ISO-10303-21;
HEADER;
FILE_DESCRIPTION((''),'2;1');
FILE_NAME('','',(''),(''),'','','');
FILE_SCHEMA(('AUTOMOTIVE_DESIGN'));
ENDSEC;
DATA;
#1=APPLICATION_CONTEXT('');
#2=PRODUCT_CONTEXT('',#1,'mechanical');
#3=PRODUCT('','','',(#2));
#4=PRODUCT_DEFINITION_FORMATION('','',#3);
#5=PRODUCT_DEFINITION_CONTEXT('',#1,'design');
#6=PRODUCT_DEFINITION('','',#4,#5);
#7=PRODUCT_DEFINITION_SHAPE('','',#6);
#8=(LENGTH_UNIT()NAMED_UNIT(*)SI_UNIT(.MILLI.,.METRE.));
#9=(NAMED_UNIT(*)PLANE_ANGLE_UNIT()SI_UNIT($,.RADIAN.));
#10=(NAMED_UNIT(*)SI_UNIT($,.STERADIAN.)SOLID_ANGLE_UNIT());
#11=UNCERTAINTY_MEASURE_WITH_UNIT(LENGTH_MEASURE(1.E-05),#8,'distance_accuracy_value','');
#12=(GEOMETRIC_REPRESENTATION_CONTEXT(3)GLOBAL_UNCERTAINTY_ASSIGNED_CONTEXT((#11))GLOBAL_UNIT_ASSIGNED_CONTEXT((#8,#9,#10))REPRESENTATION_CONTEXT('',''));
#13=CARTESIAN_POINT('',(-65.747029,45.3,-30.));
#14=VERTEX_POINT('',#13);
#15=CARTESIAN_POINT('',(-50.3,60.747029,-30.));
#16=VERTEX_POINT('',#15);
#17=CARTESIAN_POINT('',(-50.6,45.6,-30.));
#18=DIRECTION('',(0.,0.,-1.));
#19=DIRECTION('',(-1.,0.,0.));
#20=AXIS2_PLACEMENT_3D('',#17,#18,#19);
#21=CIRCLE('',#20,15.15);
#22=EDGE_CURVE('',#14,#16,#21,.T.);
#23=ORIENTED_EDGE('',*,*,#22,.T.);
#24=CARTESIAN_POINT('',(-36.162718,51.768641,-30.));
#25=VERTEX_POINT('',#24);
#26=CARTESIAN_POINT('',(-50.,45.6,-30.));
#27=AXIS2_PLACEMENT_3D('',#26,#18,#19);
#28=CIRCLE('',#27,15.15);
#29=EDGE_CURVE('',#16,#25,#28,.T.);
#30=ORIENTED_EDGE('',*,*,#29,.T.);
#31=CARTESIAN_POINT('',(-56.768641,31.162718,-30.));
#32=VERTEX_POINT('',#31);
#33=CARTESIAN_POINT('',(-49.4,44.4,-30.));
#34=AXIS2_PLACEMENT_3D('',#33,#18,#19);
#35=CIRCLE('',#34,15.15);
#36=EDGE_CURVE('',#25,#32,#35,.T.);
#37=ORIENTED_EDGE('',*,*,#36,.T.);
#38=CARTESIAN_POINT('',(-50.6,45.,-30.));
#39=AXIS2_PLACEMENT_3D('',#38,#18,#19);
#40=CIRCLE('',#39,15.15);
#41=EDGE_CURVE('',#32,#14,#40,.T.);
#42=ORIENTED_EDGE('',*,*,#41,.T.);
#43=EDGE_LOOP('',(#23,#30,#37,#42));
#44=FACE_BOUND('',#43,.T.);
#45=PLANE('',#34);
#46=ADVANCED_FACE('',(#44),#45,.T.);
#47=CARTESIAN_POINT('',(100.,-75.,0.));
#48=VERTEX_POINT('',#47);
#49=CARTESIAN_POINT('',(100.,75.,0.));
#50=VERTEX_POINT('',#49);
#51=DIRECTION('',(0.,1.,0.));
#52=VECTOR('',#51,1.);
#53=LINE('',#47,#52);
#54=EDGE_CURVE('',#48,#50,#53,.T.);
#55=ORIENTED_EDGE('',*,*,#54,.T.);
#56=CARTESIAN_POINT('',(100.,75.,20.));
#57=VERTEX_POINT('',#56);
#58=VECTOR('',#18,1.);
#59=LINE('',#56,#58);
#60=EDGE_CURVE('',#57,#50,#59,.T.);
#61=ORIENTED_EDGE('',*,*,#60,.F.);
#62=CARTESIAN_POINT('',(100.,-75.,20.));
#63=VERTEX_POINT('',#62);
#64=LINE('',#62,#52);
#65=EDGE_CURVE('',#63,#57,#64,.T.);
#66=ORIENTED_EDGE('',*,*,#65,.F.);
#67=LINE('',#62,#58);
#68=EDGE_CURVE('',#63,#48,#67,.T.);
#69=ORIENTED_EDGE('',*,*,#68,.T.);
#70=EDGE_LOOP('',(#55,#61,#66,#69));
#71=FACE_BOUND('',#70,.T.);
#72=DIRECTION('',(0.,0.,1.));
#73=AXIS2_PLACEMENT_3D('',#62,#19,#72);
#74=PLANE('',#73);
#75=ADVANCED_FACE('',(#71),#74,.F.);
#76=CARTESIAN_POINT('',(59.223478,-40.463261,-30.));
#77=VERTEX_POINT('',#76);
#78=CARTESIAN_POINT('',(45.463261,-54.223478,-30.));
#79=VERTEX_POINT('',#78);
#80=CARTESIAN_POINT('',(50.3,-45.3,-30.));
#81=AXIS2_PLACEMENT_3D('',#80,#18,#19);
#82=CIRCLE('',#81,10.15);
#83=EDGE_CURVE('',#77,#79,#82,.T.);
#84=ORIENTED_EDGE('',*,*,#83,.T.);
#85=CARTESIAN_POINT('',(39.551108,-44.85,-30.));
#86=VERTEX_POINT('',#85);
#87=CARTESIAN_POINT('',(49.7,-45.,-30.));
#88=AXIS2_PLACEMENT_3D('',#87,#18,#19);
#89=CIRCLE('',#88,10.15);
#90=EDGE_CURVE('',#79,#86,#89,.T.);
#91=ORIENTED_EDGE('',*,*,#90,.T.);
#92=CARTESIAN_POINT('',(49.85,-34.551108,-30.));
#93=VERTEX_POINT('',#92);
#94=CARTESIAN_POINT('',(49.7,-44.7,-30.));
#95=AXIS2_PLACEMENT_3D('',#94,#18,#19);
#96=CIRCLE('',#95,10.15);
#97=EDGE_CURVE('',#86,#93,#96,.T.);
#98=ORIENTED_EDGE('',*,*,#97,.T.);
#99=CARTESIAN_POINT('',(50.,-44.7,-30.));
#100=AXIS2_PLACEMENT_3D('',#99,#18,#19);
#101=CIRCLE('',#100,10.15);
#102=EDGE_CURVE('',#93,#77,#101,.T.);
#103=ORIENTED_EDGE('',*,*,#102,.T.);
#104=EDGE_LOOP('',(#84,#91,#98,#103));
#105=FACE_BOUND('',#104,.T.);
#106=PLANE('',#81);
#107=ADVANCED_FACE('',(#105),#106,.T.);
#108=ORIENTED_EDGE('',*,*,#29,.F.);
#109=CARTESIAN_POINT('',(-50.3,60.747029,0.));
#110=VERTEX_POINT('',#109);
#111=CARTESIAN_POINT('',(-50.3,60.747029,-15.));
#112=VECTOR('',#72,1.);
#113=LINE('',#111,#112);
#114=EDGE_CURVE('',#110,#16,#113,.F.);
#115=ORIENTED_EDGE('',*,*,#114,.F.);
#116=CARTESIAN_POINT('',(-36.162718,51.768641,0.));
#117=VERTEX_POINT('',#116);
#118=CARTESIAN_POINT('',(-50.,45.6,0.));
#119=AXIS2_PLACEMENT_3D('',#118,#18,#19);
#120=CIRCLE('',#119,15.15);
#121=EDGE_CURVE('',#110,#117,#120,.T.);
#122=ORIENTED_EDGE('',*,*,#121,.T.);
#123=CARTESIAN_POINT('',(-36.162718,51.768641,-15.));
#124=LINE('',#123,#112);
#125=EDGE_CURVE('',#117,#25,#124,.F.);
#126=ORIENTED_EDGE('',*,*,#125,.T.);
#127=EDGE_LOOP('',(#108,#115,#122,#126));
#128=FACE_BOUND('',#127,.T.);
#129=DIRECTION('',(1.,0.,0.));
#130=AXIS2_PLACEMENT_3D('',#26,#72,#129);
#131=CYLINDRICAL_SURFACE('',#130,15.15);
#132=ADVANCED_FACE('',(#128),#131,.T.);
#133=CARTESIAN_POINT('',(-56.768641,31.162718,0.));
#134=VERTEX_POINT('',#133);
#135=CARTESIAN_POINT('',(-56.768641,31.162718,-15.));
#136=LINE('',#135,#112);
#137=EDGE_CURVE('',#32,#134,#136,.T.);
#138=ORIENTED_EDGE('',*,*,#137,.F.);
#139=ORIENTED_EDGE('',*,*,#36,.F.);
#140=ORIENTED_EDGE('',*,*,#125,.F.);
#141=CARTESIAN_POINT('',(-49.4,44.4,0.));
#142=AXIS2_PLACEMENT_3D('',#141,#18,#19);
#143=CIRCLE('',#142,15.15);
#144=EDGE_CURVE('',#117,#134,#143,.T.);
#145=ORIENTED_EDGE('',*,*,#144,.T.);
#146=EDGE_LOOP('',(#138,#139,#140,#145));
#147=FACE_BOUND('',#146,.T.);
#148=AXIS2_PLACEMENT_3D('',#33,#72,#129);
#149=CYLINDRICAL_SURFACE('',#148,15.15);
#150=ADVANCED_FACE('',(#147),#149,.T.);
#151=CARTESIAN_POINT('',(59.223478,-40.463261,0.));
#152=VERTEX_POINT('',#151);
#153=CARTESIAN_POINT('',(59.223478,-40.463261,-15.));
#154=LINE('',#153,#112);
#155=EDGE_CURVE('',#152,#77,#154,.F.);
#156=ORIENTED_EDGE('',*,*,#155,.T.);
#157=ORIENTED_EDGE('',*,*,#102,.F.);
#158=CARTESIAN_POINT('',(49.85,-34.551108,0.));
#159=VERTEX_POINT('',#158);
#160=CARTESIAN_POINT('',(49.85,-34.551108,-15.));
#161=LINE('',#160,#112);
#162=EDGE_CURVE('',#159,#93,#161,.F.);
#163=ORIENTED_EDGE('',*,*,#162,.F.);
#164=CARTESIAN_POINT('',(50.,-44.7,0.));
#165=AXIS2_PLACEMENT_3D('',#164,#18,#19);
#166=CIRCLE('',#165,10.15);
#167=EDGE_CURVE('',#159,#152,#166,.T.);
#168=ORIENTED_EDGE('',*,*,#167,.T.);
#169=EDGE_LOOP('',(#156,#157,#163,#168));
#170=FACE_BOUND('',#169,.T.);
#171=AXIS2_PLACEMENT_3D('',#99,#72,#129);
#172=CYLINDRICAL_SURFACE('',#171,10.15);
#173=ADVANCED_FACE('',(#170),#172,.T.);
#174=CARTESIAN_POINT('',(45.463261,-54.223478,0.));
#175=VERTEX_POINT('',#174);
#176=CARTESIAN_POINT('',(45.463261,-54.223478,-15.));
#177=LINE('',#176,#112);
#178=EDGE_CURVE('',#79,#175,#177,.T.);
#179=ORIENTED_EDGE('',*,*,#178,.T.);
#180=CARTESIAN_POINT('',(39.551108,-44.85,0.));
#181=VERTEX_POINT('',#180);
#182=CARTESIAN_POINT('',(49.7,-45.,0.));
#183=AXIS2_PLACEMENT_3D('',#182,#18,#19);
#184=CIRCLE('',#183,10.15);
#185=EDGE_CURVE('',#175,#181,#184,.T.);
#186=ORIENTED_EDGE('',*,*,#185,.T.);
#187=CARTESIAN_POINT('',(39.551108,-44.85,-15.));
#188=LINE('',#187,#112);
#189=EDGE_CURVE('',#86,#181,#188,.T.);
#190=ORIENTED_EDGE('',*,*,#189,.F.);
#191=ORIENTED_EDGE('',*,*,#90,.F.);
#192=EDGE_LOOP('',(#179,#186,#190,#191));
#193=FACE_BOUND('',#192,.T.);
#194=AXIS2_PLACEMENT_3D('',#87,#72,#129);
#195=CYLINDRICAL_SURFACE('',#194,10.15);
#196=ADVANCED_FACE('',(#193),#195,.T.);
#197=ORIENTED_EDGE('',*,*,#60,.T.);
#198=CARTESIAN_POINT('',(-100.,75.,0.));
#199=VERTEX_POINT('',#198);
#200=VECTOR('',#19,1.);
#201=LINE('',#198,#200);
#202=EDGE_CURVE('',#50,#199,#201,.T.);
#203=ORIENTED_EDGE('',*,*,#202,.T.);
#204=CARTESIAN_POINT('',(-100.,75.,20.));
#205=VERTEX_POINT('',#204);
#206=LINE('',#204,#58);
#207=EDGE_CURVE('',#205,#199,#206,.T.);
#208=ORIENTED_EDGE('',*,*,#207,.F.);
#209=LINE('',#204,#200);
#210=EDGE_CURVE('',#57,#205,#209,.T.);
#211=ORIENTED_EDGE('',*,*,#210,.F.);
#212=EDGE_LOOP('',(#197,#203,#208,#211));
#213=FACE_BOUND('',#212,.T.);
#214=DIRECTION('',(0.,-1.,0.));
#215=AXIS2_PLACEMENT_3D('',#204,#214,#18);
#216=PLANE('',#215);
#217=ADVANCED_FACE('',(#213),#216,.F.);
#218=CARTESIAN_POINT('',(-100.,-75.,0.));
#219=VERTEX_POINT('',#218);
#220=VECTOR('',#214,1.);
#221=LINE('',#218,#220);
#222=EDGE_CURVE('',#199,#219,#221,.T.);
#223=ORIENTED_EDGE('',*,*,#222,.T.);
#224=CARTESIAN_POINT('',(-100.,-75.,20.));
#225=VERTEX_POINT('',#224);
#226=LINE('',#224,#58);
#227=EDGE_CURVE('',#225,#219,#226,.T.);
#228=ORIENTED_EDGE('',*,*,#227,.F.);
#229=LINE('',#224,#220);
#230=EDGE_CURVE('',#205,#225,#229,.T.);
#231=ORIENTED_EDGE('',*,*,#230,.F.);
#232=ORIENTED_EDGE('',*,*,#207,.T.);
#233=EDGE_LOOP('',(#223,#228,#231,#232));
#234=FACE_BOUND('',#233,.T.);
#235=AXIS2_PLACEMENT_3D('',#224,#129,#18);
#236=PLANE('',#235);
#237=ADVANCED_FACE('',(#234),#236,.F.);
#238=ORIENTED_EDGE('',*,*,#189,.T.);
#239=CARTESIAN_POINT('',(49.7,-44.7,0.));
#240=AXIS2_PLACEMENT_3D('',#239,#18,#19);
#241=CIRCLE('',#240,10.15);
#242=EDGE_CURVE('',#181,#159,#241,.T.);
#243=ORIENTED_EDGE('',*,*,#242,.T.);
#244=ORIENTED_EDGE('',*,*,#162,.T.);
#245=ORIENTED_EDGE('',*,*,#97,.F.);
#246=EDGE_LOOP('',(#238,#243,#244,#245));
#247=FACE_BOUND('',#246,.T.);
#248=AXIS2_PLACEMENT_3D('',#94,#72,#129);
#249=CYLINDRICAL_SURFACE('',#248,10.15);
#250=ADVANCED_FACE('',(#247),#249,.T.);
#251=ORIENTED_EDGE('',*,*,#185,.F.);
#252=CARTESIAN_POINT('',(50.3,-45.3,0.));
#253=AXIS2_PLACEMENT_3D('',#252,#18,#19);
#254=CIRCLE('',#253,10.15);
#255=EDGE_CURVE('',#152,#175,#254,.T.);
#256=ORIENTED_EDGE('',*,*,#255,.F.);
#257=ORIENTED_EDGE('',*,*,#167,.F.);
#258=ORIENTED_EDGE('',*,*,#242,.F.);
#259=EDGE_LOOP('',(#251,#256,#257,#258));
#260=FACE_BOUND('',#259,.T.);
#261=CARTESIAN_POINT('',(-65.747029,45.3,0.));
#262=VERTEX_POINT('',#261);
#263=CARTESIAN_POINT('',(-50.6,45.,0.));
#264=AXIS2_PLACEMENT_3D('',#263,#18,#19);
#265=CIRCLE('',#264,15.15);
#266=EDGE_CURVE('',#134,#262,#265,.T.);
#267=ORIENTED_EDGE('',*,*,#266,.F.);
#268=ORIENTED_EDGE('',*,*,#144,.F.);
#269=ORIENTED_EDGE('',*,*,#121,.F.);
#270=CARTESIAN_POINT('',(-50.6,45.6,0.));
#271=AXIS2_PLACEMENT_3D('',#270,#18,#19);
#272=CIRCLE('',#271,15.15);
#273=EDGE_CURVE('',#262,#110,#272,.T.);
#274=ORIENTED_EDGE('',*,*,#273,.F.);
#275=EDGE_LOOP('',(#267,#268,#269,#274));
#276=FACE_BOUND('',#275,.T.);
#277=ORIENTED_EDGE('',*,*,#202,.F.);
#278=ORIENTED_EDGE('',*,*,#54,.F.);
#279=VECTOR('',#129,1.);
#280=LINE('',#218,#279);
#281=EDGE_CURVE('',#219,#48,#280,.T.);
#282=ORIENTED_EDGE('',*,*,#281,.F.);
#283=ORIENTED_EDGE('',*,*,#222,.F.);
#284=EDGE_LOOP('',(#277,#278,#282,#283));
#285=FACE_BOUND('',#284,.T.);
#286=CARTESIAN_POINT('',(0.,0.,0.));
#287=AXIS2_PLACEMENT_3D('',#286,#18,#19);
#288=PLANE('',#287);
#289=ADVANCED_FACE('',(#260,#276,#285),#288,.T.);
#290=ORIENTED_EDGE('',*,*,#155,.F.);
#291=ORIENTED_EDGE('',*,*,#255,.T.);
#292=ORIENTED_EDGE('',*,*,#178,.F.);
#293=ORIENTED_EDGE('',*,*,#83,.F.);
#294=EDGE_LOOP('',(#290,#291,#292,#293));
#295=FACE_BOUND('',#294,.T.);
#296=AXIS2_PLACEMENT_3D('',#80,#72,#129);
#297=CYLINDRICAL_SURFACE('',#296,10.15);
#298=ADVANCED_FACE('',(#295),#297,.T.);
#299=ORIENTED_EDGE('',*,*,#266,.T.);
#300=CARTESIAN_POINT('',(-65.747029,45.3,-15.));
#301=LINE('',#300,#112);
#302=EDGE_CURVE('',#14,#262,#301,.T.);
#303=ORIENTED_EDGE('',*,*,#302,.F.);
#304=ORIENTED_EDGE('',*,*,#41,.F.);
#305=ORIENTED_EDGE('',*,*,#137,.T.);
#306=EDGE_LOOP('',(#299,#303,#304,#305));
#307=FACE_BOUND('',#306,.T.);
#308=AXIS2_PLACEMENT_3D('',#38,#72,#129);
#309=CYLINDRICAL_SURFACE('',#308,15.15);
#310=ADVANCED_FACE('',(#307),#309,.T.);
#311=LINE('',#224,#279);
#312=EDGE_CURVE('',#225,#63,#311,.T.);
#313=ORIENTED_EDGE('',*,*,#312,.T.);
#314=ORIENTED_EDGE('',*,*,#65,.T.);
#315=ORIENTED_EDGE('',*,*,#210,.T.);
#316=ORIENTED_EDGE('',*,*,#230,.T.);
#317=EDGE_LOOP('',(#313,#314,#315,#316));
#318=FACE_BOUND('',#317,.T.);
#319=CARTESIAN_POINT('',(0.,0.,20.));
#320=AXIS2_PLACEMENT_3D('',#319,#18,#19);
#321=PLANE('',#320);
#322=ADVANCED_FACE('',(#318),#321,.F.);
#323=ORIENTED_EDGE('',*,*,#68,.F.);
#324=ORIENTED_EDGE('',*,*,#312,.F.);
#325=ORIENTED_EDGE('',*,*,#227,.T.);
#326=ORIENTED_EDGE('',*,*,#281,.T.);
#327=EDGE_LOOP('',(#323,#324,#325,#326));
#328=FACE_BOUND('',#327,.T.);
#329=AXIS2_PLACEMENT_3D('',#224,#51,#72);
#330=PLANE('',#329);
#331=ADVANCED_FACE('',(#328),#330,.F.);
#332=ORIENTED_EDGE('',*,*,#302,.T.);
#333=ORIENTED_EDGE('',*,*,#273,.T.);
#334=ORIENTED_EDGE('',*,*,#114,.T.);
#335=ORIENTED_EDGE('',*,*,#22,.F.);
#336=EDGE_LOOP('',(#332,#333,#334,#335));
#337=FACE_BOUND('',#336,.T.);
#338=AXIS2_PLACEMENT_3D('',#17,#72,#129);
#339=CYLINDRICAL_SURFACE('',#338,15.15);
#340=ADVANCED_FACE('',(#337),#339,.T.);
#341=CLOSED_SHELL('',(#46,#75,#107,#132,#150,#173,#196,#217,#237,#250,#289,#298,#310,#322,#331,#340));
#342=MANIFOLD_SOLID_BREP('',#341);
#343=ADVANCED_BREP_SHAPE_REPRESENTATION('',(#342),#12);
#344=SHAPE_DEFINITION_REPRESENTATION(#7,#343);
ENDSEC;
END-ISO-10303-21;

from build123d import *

# Parameters (mm, degrees)
SKETCH1_W           = 200
SKETCH1_H           = 150
BOSS_EXTRUDE1_DEPTH = 20
MIN_2_R             = 10.15
MIN_2_R_2           = 15.15
BOSS_EXTRUDE3_DEPTH = 30
MAX_LENTGH_R        = 10.15
MAX_LENTGH_R_2      = 15.15
BOSS_EXTRUDE4_DEPTH = 30
MAX_WIDTH_R         = 10.15
MAX_WIDTH_R_2       = 15.15
BOSS_EXTRUDE5_DEPTH = 30
MAX_2_R             = 10.15
MAX_2_R_2           = 15.15
BOSS_EXTRUDE6_DEPTH = 30


with BuildPart() as part:
    # Sketch1 → Boss-Extrude1 (new body)
    with BuildSketch(Plane.XY):
        Rectangle(SKETCH1_W, SKETCH1_H)
    extrude(amount=BOSS_EXTRUDE1_DEPTH)

    # min 2 → Boss-Extrude3 (add)
    with BuildSketch(Plane(origin=(0, 0, 0), x_dir=(-1, 0, 0), z_dir=(0, 0, -1))):
        with Locations((-50.3, -45.3)):
            Circle(MIN_2_R)
        with Locations((49.4, 44.4)):
            Circle(MIN_2_R_2)
    extrude(amount=BOSS_EXTRUDE3_DEPTH)

    # max - lentgh → Boss-Extrude4 (add)
    with BuildSketch(Plane(origin=(0, 0, 0), x_dir=(-1, 0, 0), z_dir=(0, 0, -1))):
        with Locations((-50, -44.7)):
            Circle(MAX_LENTGH_R)
        with Locations((50, 45.6)):
            Circle(MAX_LENTGH_R_2)
    extrude(amount=BOSS_EXTRUDE4_DEPTH)

    # max - width → Boss-Extrude5 (add)
    with BuildSketch(Plane(origin=(0, 0, 0), x_dir=(-1, 0, 0), z_dir=(0, 0, -1))):
        with Locations((-49.7, -45)):
            Circle(MAX_WIDTH_R)
        with Locations((50.6, 45)):
            Circle(MAX_WIDTH_R_2)
    extrude(amount=BOSS_EXTRUDE5_DEPTH)

    # max 2 → Boss-Extrude6 (add)
    with BuildSketch(Plane(origin=(0, 0, 0), x_dir=(-1, 0, 0), z_dir=(0, 0, -1))):
        with Locations((-49.7, -44.7)):
            Circle(MAX_2_R)
        with Locations((50.6, 45.6)):
            Circle(MAX_2_R_2)
    extrude(amount=BOSS_EXTRUDE6_DEPTH)


solid = part.part
